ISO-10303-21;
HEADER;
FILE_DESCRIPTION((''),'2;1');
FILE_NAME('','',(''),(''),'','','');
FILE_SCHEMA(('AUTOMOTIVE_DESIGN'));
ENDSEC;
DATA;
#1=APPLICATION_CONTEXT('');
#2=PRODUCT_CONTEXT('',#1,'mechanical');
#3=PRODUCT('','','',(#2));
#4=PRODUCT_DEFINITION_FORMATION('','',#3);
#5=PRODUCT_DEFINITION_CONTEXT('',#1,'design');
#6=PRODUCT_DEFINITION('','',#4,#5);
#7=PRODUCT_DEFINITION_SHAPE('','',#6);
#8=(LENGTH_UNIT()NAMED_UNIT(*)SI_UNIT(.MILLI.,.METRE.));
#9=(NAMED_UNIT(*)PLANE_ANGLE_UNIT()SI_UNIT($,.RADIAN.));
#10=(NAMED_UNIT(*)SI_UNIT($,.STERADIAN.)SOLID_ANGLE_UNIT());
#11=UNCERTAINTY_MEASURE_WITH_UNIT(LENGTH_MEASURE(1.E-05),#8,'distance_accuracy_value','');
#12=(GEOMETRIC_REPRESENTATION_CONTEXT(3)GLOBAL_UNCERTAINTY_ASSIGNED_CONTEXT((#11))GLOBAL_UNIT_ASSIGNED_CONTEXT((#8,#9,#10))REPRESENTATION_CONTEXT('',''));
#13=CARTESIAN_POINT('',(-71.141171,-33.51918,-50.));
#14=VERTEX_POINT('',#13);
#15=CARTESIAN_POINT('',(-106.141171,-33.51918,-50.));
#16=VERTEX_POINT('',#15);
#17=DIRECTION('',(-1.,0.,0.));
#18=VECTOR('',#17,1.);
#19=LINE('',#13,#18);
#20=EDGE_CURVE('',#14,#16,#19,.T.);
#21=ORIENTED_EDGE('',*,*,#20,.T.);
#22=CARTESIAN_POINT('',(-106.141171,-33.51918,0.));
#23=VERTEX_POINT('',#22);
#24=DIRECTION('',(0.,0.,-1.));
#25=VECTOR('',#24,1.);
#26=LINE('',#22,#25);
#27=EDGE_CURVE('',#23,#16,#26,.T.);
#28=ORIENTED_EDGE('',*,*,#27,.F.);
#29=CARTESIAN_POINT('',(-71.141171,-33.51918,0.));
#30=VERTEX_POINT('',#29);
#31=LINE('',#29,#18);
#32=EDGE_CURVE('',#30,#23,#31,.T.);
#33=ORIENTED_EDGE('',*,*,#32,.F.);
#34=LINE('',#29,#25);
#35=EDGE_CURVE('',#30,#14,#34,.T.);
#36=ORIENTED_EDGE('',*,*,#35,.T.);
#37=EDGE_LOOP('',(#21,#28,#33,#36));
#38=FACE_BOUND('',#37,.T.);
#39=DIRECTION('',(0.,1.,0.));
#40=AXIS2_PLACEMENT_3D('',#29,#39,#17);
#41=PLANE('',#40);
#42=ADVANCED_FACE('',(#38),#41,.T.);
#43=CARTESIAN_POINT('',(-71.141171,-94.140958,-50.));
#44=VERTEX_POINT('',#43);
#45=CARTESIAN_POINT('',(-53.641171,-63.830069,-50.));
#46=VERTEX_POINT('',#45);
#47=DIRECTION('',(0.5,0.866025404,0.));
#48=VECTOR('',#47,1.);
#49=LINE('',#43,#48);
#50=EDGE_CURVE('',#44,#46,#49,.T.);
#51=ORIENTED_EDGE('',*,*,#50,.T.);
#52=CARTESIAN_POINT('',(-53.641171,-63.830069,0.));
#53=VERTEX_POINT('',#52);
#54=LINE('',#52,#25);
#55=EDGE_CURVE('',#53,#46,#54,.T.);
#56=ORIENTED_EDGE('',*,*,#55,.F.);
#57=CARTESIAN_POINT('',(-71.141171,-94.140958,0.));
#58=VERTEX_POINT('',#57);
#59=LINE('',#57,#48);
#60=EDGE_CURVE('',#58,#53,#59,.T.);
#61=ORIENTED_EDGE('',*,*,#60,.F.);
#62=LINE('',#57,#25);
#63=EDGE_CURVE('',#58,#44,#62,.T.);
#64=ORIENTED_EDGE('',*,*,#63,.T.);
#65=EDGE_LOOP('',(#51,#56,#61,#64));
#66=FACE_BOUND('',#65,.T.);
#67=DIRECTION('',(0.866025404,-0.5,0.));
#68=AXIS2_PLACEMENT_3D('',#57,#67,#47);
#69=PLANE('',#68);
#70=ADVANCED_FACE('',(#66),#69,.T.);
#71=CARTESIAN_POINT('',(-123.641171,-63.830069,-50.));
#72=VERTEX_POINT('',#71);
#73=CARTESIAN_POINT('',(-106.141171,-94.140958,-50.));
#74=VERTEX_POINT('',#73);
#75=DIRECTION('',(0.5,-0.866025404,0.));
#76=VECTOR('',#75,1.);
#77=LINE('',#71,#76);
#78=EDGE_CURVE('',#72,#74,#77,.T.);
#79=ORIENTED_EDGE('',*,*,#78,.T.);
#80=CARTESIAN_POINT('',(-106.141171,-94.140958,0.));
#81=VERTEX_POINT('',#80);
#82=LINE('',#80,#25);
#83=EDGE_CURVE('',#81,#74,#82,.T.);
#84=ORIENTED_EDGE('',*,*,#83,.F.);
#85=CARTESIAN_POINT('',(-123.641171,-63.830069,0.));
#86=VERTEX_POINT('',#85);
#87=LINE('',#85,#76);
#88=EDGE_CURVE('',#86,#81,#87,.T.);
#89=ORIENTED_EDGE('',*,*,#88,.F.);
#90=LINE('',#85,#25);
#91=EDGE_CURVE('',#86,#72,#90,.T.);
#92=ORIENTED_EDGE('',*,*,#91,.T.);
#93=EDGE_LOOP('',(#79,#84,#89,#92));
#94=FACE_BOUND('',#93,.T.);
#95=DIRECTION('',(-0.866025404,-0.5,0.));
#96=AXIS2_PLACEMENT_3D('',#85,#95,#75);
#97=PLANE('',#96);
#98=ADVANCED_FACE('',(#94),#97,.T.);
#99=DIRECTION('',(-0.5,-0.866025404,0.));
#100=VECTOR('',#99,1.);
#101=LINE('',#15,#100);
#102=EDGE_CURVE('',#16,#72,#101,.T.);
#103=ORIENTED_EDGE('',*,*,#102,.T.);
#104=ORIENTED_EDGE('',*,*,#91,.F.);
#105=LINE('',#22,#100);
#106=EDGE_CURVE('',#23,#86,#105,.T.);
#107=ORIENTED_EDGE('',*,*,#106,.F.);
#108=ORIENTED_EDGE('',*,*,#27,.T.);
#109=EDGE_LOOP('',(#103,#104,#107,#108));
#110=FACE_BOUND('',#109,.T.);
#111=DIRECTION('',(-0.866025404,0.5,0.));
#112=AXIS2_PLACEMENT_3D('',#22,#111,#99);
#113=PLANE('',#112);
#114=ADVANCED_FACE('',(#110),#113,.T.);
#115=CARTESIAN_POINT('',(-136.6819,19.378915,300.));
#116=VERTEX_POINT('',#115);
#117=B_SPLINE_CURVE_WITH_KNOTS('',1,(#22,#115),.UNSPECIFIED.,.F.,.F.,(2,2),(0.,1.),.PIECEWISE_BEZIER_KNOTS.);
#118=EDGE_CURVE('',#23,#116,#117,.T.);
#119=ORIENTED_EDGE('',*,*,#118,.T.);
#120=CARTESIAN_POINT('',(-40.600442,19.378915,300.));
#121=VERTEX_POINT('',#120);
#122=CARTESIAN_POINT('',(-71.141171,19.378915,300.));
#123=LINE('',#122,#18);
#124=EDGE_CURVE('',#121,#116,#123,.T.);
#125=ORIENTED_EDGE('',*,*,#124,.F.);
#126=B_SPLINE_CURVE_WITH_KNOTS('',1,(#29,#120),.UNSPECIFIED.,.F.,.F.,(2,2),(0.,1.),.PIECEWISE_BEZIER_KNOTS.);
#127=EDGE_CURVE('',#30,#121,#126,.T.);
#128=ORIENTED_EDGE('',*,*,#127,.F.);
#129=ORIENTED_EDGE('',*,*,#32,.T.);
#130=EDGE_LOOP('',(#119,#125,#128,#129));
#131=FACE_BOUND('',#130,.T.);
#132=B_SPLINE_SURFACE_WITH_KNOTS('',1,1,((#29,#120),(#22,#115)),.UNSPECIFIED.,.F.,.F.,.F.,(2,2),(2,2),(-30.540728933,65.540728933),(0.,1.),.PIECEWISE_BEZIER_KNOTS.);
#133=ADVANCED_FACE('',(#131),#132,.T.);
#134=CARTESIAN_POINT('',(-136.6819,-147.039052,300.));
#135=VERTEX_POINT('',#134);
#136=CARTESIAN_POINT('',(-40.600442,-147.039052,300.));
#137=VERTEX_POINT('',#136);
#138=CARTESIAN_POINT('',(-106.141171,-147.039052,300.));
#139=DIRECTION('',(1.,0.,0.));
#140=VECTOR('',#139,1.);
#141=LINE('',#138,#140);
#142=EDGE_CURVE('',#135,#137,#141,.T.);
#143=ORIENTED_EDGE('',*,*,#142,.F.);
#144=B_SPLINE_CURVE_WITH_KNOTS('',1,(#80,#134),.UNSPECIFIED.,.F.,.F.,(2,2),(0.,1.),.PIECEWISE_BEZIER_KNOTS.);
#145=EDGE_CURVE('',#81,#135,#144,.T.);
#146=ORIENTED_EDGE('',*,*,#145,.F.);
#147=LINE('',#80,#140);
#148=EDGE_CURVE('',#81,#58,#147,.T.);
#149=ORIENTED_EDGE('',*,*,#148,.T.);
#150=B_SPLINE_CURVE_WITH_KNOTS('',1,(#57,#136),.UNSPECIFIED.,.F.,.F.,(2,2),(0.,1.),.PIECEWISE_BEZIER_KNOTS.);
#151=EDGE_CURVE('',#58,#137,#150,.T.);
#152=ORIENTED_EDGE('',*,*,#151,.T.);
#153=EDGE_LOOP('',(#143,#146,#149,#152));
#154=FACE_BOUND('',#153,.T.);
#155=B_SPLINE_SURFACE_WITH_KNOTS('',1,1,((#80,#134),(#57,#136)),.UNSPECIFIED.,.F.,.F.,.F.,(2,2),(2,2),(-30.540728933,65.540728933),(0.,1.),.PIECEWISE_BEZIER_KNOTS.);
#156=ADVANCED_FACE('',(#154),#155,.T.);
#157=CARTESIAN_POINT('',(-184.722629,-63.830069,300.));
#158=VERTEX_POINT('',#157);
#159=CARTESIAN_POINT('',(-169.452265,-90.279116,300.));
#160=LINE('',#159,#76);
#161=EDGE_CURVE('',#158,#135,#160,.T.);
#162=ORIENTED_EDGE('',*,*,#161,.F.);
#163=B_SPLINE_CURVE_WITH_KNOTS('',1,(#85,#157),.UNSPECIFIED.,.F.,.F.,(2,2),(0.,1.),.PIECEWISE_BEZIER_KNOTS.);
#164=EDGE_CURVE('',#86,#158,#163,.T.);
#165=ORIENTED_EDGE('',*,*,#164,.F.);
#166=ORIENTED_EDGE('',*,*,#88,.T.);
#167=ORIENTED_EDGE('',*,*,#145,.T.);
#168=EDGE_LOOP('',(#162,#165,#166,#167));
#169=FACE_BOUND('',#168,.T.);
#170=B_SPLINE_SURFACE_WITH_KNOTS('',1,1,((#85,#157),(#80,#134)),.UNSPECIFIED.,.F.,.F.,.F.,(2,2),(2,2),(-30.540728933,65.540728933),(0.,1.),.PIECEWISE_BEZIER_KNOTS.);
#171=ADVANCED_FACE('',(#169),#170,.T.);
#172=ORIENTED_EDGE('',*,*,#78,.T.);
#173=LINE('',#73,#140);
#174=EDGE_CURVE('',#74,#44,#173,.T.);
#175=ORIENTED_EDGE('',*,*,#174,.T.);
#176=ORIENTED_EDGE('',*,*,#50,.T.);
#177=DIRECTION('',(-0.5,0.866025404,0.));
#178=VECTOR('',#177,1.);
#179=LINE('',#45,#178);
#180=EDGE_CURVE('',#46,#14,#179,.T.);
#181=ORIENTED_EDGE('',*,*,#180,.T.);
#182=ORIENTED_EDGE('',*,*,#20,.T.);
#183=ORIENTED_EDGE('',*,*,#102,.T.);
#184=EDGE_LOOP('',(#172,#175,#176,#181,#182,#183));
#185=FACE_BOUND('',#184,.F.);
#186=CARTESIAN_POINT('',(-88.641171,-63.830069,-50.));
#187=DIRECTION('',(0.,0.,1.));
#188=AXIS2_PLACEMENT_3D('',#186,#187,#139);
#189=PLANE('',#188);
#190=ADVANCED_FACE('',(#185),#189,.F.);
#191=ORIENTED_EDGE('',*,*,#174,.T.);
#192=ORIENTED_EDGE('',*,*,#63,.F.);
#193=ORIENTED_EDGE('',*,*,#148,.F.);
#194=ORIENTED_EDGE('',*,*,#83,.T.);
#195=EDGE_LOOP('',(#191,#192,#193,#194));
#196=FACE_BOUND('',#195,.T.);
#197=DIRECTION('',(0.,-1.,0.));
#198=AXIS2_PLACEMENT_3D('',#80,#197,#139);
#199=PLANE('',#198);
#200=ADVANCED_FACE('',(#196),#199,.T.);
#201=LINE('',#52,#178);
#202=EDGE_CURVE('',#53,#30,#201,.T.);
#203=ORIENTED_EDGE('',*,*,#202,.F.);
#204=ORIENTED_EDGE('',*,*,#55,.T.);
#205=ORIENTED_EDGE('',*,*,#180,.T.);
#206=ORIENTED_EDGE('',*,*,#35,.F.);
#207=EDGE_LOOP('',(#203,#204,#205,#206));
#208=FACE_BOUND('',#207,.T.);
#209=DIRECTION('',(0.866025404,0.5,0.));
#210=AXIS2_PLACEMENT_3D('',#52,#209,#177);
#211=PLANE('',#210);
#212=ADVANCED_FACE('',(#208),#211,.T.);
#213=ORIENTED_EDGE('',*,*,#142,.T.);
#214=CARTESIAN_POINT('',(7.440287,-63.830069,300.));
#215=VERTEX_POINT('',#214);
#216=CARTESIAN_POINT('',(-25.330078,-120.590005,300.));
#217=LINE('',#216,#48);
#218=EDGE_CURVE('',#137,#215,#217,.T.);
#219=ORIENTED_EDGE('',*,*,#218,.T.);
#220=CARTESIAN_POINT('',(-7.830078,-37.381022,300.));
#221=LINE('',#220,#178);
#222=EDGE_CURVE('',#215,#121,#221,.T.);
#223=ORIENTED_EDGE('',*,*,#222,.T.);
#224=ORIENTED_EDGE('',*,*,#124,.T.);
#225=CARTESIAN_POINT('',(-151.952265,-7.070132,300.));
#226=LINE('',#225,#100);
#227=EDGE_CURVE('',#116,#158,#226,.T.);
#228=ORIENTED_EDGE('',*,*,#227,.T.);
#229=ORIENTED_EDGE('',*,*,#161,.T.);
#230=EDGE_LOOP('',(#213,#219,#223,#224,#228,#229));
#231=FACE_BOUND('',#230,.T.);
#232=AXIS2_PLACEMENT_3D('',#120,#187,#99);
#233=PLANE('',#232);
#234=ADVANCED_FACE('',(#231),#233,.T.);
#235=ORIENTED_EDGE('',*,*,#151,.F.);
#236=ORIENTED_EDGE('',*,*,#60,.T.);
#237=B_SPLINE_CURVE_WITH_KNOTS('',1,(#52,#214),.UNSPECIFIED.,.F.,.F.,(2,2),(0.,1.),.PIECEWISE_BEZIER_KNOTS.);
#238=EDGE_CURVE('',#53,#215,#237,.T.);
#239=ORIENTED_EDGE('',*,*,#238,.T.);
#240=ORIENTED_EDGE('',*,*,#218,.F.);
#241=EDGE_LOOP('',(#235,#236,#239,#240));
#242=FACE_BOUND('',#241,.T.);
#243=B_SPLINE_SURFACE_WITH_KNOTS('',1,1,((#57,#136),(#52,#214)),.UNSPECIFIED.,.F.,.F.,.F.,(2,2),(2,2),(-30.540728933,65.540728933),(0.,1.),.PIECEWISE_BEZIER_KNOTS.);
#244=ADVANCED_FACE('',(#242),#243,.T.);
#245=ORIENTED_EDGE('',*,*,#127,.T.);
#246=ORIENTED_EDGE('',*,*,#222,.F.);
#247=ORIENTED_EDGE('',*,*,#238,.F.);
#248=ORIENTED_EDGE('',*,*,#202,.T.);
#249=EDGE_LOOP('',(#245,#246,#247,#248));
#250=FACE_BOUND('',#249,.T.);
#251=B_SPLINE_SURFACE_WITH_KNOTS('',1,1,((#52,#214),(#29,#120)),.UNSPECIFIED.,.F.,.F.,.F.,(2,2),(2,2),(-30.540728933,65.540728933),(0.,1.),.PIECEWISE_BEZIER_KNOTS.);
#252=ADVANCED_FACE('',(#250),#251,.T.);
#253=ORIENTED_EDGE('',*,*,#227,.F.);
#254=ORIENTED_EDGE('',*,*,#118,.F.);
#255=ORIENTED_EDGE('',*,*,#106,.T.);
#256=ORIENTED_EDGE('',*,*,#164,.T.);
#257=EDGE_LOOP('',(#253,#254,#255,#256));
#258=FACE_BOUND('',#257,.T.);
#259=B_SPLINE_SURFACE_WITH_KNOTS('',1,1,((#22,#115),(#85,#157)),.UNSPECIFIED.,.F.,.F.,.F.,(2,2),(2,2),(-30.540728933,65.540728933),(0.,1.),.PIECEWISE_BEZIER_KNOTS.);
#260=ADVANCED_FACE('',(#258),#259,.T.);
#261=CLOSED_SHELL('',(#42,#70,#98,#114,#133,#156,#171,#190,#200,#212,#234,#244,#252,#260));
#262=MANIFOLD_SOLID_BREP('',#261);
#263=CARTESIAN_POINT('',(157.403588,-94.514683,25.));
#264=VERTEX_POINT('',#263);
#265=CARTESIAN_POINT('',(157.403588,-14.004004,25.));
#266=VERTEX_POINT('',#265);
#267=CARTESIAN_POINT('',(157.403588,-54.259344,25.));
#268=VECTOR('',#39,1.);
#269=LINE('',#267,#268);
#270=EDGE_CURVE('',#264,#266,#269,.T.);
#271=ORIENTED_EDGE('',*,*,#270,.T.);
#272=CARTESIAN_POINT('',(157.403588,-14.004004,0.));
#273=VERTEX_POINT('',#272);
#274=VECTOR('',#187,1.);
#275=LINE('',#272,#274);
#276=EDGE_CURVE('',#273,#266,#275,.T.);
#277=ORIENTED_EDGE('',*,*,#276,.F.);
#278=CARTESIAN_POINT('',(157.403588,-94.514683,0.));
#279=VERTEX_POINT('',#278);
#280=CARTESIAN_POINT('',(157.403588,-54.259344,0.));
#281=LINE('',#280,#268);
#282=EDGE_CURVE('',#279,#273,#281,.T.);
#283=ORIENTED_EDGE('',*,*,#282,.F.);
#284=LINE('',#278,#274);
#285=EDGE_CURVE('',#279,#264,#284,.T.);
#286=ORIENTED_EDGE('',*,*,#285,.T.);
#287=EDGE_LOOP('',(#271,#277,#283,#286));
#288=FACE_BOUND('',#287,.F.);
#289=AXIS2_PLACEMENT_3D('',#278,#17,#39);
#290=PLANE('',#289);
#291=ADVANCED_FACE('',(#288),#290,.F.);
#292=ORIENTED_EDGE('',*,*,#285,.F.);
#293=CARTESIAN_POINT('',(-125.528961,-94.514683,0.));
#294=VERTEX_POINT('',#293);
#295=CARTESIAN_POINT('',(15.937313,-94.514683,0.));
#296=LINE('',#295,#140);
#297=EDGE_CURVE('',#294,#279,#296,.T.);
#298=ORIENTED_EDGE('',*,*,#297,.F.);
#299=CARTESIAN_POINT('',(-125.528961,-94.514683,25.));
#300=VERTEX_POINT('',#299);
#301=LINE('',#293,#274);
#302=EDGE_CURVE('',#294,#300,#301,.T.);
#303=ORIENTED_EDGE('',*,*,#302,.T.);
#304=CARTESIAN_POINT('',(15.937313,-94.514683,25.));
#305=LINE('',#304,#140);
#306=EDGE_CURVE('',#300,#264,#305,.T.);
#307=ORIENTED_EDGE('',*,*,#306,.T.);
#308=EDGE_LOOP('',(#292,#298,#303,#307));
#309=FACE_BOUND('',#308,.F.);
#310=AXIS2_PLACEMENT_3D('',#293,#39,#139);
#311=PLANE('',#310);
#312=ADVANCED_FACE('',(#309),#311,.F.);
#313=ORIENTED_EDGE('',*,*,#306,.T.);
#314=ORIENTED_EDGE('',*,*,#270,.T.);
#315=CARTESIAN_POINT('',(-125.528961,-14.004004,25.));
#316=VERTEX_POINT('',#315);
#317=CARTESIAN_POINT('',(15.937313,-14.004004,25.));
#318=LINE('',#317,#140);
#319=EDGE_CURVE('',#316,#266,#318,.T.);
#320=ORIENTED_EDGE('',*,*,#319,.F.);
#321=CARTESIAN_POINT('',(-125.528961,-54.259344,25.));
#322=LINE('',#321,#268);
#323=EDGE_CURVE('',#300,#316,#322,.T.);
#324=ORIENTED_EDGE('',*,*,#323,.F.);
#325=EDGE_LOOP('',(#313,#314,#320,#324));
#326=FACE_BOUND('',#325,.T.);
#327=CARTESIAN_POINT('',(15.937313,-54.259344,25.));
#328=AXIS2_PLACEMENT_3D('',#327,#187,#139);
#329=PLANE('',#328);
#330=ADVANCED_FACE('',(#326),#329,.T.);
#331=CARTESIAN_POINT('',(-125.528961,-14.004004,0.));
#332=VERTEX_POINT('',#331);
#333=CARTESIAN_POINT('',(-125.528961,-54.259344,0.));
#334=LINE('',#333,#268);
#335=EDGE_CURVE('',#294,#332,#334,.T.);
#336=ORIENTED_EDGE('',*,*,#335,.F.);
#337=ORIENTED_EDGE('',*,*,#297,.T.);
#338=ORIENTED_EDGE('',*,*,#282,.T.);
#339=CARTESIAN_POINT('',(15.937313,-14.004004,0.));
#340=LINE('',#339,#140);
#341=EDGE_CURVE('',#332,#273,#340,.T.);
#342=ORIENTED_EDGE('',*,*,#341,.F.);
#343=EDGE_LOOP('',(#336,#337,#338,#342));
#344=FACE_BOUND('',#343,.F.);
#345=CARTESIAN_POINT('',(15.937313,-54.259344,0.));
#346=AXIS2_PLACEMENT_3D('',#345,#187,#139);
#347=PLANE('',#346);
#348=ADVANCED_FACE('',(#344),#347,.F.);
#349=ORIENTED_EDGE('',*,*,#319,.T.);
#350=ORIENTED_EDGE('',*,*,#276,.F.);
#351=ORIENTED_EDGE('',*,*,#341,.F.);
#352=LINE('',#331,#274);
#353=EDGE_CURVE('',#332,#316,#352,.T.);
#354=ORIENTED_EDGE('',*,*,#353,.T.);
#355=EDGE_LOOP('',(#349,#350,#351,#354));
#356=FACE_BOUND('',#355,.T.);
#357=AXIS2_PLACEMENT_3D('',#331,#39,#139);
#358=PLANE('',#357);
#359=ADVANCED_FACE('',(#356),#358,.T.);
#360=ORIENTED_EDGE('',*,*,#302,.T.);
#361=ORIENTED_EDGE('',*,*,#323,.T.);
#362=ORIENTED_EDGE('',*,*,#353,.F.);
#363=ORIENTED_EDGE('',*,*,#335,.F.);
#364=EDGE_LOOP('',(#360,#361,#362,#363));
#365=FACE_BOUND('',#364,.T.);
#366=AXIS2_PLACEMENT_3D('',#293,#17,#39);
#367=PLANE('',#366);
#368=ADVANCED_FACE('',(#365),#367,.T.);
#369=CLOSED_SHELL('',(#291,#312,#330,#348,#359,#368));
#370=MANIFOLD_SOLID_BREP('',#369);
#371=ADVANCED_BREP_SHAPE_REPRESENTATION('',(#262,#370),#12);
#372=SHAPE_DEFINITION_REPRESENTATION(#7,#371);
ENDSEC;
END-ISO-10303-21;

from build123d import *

# Parameters (mm, degrees)
F1_DEPTH      = 300
F1_TAPER      = -10
F1_DEPTH_BACK = 50
F2_W          = 282.932549715
F2_H          = 80.5106787011
F3_DEPTH      = 25


with BuildPart() as f1:
    # F0 (on Top) → F1 (new body, two sides)
    with BuildSketch(Plane.XY) as f1_sk:
        Polygon((-71.1411711854, -33.5191795008), (-106.1411711854, -33.5191795008), (-123.6411711854, -63.8300686332), (-106.1411711854, -94.1409577657), (-71.1411711854, -94.1409577657), (-53.6411711854, -63.8300686332), align=None)
    extrude(amount=F1_DEPTH, taper=F1_TAPER)
    extrude(f1_sk.sketch, amount=-F1_DEPTH_BACK)


with BuildPart() as f3:
    # F2 (on Top) → F3 (new body)
    with BuildSketch(Plane.XY):
        with Locations((15.9373134375, -54.2593435384)):
            Rectangle(F2_W, F2_H)
    extrude(amount=F3_DEPTH)


solid = Compound([f1.part, f3.part])
